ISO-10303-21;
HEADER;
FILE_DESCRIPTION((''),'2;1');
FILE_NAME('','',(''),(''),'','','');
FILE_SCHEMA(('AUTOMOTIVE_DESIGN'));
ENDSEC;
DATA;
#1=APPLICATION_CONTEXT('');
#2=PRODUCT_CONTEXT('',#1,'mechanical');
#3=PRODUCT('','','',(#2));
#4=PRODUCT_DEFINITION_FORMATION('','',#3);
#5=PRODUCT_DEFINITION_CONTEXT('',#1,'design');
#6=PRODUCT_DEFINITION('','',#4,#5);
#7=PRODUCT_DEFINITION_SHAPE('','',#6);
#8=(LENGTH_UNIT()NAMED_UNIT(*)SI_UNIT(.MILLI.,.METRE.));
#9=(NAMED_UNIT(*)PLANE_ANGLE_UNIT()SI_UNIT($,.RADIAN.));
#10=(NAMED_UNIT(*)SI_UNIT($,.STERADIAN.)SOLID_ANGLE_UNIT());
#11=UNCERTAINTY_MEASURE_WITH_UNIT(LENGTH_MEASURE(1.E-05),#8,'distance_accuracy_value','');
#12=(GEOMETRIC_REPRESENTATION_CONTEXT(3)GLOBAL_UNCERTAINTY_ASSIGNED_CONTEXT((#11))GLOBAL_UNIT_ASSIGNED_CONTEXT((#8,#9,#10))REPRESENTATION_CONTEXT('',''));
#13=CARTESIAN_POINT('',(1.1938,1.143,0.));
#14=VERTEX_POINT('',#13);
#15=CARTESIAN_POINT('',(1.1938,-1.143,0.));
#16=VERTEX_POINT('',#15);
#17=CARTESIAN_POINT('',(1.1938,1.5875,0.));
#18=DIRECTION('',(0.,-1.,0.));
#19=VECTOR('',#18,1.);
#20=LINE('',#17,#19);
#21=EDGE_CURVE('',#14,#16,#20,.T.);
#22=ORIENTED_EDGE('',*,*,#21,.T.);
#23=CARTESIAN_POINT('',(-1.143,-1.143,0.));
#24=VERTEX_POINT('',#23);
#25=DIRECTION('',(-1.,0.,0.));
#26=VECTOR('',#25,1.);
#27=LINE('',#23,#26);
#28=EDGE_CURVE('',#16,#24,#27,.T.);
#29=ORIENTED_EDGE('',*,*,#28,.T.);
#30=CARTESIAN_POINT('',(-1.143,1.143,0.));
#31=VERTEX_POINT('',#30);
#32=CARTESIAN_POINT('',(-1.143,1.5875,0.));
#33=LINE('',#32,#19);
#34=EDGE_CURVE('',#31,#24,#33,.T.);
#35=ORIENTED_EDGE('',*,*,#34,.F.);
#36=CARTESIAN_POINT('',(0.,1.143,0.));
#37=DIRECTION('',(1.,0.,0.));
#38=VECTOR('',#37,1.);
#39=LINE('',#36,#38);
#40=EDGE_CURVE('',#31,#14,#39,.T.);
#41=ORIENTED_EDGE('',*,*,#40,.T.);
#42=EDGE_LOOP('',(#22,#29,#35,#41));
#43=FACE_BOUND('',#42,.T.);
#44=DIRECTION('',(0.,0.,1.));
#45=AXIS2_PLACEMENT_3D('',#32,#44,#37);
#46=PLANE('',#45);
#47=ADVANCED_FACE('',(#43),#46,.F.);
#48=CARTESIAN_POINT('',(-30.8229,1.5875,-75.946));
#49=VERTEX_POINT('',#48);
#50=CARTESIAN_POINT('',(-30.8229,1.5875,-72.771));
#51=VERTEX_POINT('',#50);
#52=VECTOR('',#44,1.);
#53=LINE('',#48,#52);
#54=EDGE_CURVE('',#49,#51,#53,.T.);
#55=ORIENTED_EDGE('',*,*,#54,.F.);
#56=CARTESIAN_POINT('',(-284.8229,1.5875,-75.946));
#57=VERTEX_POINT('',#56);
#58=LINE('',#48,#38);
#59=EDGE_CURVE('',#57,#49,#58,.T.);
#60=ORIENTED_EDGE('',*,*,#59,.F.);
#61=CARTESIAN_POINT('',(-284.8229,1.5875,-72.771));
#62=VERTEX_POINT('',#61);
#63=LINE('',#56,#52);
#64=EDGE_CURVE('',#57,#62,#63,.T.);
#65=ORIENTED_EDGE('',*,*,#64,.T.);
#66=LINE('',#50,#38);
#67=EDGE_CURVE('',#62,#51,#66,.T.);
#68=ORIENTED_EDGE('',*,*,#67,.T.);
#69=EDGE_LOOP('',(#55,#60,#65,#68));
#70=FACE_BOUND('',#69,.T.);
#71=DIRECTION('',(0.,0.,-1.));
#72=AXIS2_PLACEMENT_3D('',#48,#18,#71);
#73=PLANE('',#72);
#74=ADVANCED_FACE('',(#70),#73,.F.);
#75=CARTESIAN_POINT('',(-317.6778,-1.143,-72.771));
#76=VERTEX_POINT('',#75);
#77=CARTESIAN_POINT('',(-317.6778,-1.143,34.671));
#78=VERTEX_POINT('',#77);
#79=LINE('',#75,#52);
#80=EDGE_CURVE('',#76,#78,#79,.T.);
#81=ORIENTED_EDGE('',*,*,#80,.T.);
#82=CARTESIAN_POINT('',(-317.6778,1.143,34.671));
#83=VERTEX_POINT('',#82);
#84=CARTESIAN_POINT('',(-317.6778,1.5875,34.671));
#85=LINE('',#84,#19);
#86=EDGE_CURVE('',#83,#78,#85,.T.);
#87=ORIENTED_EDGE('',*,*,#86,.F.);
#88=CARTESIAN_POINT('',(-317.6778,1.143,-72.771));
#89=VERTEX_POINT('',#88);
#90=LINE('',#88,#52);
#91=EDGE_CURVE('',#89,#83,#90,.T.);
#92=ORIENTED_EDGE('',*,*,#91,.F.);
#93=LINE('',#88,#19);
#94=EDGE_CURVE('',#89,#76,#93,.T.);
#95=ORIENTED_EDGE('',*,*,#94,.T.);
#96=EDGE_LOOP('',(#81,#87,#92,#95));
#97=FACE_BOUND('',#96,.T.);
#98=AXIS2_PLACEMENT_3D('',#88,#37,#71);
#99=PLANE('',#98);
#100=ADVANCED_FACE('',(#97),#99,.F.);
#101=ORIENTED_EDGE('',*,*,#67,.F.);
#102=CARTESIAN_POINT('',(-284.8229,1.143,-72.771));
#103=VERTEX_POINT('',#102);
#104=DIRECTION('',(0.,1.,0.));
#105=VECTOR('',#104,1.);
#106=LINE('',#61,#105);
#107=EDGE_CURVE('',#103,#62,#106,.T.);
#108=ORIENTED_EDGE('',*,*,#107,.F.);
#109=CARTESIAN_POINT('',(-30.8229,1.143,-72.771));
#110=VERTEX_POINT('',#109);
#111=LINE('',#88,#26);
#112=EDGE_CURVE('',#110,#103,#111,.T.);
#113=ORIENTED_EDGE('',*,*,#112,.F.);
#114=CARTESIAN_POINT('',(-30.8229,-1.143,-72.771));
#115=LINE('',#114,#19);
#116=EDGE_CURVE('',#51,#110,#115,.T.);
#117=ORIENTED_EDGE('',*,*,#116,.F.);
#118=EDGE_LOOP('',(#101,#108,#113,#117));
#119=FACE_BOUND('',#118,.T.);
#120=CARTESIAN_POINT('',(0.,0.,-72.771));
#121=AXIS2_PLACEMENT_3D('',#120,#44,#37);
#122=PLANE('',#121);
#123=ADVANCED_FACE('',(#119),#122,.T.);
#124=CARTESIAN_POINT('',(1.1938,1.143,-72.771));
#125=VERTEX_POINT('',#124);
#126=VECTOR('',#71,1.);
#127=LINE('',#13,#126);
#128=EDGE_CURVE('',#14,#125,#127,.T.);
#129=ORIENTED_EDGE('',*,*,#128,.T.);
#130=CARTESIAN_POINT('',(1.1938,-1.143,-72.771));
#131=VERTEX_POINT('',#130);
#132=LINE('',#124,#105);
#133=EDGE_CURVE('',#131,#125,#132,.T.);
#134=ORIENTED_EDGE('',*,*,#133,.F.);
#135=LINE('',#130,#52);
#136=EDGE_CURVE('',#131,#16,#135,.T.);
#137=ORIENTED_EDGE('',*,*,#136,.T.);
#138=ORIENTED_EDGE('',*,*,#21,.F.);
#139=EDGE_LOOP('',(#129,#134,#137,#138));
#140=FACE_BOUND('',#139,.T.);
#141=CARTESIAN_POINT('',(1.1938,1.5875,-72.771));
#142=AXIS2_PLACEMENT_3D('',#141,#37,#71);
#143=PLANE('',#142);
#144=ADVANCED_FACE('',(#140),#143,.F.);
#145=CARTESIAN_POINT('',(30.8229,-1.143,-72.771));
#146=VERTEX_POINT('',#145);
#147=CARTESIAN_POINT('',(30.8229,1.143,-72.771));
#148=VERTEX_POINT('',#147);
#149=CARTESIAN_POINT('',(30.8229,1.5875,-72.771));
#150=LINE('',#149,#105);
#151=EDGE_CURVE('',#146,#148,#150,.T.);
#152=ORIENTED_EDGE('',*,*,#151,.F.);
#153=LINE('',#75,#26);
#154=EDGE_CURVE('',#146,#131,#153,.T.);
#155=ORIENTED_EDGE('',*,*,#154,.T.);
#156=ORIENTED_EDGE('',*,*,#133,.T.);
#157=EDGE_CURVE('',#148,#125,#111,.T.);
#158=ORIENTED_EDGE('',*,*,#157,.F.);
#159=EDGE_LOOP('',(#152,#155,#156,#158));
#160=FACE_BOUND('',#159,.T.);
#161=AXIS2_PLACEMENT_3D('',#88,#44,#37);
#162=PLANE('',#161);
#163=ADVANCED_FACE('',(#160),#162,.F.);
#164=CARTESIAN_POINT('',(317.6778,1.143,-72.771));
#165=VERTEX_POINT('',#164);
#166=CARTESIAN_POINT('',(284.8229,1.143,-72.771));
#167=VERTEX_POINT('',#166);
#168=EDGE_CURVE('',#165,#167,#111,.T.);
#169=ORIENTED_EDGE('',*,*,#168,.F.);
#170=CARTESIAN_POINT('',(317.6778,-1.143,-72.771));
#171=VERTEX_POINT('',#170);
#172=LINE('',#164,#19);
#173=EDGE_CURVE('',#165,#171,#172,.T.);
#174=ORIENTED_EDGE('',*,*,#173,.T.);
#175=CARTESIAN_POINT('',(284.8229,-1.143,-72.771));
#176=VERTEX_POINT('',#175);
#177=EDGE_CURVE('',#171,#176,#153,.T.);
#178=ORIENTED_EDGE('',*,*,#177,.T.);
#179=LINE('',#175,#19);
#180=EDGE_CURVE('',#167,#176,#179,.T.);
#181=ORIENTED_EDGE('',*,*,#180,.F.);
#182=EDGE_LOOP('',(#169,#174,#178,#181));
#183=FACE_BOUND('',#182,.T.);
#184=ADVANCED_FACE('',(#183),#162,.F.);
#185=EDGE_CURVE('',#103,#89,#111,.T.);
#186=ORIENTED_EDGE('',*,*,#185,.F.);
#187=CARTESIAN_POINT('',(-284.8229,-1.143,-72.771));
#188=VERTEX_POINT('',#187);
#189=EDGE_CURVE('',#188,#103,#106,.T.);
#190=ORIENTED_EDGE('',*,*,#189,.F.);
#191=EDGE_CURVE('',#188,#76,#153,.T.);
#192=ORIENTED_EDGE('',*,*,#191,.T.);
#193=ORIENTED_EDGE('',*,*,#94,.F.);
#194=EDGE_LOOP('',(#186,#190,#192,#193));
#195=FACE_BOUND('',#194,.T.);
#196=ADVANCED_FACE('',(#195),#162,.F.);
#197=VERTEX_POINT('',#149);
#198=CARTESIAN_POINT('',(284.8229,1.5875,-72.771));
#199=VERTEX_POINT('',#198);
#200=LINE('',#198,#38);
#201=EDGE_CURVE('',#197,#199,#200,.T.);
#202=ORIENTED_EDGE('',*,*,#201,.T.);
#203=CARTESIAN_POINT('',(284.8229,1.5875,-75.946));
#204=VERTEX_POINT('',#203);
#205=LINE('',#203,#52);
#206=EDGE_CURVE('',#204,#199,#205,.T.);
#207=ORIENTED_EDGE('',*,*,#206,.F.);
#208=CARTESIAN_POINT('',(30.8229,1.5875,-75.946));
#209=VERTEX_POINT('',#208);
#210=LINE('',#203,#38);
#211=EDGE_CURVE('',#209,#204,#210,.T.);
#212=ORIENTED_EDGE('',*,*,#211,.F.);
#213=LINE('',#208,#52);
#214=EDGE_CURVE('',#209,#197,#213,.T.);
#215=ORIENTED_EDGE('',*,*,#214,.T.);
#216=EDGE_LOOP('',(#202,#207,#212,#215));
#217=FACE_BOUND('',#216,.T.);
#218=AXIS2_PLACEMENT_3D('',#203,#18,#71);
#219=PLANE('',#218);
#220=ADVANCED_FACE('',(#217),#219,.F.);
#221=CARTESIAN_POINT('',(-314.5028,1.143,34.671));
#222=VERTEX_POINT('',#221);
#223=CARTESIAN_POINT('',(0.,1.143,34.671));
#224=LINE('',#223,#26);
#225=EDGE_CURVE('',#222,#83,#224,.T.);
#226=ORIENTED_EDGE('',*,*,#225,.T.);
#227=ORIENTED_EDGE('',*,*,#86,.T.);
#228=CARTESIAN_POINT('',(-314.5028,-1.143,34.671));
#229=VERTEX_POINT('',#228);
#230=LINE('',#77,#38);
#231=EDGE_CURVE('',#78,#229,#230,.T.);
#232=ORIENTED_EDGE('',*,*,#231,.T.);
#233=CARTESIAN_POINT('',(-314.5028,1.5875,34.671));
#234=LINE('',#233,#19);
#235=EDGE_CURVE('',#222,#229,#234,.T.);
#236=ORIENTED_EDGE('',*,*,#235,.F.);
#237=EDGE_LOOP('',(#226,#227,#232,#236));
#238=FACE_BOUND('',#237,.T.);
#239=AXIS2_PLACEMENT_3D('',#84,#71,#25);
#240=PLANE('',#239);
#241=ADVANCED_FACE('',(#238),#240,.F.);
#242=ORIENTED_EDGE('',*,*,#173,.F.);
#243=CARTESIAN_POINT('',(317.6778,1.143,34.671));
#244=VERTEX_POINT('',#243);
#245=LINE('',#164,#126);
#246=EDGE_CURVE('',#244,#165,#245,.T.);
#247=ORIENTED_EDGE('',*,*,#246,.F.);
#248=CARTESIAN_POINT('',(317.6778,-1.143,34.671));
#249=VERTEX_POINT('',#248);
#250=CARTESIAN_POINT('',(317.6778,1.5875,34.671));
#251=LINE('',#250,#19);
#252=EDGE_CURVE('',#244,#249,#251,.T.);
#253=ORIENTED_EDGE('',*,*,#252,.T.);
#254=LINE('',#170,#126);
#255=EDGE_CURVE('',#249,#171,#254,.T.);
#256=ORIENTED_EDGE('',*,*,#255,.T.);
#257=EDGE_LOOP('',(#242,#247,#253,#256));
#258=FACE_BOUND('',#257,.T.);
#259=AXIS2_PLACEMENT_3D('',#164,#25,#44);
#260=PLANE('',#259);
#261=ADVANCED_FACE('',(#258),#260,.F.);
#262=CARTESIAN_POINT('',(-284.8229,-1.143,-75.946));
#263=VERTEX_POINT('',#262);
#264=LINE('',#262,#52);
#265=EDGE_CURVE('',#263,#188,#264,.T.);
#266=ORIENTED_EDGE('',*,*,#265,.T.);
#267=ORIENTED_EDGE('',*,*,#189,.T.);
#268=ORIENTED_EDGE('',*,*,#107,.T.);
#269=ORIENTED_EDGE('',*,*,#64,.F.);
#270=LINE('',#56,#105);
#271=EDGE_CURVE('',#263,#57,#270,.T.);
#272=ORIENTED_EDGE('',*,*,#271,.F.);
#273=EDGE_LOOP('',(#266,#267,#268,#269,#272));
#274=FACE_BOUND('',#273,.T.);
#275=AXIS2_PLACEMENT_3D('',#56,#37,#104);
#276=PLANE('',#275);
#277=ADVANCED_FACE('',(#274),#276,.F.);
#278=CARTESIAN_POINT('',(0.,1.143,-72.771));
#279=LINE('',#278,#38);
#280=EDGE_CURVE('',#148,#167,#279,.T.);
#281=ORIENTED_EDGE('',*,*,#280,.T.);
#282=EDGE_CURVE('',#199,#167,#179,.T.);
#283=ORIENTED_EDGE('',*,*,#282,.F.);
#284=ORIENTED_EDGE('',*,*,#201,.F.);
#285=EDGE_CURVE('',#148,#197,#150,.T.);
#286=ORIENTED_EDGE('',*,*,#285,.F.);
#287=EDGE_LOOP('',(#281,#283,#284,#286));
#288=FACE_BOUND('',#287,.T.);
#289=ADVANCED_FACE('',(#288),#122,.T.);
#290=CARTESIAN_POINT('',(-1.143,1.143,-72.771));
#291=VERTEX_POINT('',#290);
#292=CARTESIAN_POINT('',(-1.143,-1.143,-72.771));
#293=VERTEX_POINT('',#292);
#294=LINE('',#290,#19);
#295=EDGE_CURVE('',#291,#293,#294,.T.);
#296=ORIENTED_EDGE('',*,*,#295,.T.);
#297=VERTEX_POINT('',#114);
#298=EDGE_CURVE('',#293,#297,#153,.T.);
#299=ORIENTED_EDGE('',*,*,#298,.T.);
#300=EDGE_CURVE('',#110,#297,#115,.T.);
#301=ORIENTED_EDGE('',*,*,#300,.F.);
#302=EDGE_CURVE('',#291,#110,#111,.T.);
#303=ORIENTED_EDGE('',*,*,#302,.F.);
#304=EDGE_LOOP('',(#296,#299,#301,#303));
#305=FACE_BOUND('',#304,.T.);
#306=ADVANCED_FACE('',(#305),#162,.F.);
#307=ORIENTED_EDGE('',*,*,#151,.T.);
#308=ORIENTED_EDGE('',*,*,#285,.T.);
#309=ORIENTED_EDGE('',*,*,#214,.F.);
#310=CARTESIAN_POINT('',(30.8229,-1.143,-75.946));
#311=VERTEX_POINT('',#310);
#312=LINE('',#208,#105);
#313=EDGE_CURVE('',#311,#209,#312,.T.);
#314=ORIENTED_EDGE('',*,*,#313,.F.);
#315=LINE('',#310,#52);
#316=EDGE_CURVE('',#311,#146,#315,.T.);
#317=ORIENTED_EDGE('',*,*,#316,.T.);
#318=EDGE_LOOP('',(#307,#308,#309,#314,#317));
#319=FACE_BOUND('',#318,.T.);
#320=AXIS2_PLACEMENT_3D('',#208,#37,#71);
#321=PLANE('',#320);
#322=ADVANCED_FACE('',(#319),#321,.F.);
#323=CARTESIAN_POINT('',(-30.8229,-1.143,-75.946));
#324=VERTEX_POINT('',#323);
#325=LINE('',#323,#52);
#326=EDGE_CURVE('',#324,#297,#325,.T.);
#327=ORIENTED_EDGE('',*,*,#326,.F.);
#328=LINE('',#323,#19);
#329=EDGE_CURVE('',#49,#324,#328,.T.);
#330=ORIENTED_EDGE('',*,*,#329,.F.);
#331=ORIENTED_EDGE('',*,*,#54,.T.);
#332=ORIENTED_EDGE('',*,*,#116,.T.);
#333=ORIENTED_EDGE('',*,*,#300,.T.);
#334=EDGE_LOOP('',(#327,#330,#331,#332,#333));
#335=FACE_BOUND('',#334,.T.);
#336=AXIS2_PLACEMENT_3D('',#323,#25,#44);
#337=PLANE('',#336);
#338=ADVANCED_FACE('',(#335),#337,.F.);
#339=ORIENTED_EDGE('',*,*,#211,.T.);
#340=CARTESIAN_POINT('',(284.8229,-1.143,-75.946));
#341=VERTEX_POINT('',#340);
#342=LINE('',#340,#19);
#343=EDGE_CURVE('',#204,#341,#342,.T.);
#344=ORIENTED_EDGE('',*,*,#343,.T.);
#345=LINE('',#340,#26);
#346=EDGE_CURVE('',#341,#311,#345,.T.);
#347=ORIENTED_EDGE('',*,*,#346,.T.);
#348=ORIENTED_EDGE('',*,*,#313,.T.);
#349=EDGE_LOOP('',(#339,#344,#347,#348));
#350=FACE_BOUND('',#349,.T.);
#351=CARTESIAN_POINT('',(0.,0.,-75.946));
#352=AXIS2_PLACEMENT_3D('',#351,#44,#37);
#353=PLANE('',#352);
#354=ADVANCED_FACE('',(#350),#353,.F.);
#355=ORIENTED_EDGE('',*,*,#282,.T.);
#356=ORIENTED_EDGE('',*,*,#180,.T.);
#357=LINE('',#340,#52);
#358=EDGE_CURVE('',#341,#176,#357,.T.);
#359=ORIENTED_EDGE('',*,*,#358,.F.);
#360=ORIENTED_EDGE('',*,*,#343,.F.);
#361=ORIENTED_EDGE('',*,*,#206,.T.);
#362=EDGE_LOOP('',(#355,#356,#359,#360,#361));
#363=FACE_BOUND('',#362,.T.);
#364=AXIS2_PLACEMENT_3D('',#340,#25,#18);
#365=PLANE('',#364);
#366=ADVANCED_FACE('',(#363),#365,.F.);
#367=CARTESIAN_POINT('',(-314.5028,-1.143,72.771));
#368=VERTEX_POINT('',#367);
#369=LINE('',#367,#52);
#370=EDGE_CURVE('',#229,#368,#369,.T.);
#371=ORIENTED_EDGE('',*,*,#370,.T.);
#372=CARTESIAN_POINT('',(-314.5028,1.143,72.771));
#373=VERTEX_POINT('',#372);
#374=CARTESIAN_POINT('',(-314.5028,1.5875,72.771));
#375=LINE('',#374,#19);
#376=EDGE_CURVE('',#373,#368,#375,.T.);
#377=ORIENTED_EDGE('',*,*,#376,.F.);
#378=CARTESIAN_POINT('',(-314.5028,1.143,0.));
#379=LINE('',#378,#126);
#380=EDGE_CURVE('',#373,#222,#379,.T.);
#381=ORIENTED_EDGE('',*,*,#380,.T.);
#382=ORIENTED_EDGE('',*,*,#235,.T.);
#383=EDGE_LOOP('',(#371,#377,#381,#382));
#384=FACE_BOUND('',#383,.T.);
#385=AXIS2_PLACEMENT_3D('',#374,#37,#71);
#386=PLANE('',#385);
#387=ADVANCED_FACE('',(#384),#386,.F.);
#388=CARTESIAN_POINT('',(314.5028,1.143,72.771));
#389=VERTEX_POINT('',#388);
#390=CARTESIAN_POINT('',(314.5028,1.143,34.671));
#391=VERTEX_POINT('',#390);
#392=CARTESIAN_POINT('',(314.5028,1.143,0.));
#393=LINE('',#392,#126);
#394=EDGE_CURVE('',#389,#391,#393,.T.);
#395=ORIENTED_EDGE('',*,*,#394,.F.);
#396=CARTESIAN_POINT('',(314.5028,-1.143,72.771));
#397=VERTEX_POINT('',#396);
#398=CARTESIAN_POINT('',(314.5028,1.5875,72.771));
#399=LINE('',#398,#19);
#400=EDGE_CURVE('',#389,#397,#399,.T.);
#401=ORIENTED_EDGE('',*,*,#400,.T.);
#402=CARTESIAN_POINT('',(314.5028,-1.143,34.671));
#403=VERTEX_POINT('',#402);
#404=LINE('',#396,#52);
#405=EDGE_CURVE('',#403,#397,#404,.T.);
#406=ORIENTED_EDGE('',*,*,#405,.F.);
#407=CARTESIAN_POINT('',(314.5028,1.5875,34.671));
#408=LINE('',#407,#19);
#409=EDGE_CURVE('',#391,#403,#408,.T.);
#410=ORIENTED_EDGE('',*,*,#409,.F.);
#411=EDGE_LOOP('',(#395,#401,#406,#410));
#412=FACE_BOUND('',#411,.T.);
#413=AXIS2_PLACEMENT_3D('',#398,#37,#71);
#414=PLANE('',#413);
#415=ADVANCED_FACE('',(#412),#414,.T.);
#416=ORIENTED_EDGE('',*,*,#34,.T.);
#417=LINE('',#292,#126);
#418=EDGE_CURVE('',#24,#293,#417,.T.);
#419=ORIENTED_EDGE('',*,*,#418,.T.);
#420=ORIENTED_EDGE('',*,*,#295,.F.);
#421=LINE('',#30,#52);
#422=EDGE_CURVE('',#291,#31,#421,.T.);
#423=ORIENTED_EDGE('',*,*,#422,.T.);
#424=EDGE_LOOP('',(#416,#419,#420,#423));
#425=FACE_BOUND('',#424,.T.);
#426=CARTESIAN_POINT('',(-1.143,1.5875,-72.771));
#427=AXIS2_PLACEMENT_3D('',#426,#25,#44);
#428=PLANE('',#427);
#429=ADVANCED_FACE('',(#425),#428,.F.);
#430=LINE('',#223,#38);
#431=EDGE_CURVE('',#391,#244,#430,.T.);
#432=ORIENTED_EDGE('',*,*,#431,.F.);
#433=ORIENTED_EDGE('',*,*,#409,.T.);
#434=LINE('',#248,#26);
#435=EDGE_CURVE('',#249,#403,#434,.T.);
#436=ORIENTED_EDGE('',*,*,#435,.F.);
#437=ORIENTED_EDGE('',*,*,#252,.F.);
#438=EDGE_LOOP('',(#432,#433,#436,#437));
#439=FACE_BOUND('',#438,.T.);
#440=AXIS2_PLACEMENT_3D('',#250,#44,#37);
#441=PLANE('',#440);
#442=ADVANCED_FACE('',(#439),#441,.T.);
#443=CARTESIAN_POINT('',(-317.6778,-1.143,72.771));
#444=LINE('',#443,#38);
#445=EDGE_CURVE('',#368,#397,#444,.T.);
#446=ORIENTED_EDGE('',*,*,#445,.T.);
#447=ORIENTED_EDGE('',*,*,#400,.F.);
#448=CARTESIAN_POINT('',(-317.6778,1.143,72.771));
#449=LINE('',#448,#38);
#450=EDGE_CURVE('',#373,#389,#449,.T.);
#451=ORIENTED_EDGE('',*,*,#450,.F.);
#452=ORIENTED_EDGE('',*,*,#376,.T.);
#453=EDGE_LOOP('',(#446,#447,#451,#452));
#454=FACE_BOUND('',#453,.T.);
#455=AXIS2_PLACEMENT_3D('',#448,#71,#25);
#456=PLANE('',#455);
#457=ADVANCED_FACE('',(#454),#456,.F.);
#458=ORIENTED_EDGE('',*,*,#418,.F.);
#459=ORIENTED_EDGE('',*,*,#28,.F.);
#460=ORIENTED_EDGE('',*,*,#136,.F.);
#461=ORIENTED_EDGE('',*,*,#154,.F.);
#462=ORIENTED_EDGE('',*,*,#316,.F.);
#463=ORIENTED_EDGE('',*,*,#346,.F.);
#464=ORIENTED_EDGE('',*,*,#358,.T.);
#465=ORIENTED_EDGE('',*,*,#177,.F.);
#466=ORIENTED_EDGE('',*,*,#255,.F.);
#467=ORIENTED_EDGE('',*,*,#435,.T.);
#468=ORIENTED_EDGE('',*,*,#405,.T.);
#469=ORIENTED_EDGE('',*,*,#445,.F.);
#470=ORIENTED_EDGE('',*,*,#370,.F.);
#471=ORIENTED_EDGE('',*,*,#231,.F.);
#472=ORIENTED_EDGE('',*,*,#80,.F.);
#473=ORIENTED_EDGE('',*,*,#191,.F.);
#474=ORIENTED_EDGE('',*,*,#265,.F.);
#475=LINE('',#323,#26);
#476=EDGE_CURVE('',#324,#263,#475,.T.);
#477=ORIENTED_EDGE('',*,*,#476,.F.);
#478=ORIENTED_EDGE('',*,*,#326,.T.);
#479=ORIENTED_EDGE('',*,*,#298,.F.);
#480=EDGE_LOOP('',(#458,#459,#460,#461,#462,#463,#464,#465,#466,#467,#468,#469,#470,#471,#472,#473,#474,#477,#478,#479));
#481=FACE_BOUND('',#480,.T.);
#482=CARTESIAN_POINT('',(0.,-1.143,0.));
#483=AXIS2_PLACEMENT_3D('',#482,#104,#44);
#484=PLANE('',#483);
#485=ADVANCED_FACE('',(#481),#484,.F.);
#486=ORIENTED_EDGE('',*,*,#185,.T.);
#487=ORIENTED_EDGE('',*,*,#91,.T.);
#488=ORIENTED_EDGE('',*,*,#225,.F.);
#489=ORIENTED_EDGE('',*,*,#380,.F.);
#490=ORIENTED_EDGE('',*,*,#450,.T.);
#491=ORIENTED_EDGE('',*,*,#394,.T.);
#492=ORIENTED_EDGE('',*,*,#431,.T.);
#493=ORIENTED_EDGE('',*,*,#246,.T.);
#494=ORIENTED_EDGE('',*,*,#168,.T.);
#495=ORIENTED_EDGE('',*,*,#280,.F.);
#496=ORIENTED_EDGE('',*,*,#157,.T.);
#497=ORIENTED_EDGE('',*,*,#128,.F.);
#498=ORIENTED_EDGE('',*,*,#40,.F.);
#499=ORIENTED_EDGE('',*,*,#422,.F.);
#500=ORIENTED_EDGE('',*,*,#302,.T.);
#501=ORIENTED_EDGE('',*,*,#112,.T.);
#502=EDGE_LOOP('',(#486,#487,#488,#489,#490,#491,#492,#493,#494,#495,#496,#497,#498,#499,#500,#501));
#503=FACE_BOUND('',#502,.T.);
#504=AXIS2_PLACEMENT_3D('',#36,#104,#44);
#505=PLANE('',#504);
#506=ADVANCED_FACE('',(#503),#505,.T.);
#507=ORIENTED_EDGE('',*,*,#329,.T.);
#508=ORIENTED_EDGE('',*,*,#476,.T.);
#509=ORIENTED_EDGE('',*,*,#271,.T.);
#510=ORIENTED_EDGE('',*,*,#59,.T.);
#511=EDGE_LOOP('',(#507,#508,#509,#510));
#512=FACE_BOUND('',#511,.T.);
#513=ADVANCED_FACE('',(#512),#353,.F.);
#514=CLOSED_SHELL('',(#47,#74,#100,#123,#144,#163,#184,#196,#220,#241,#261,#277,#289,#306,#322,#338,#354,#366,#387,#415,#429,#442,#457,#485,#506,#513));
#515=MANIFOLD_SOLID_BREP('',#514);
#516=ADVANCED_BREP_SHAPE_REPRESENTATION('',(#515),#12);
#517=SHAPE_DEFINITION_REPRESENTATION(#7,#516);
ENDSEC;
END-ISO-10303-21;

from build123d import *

# Parameters (mm, degrees)
SKETCH1_W           = 635.3556
SKETCH1_H           = 145.542
BOSS_EXTRUDE1_DEPTH = 1.143
SKETCH2_W           = 254
SKETCH2_H           = 2.7305
BOSS_EXTRUDE2_DEPTH = 3.175
SKETCH3_W           = 3.175
SKETCH3_H           = 38.1
CUT_EXTRUDE1_DEPTH  = 3.7305
SKETCH4_W           = 2.3368
SKETCH4_H           = 72.771
CUT_EXTRUDE2_DEPTH  = 3.7305


with BuildPart() as part:
    # Sketch1 → Boss-Extrude1 (new body, symmetric)
    with BuildSketch(Plane(origin=(0, 0, 0), x_dir=(1, 0, 0), z_dir=(0, 1, 0))):
        Rectangle(SKETCH1_W, SKETCH1_H)
    extrude(amount=BOSS_EXTRUDE1_DEPTH, both=True)

    # Sketch2 → Boss-Extrude2 (add)
    with BuildSketch(Plane(origin=(0, 0, -72.771), x_dir=(-1, 0, 0), z_dir=(0, 0, -1))):
        with Locations((-157.8229, 0.22225)):
            Rectangle(SKETCH2_W, SKETCH2_H)
        with Locations((157.8229, 0.22225)):
            Rectangle(SKETCH2_W, SKETCH2_H)
    extrude(amount=BOSS_EXTRUDE2_DEPTH)

    # Sketch3 → Cut-Extrude1 (cut, through all)
    with BuildSketch(Plane.XZ.offset(1.143)):
        with Locations((-316.0903, 53.721)):
            Rectangle(SKETCH3_W, SKETCH3_H)
    cut_extrude1 = extrude(amount=-CUT_EXTRUDE1_DEPTH, mode=Mode.SUBTRACT)

    # Mirror1: Cut-Extrude1 across plane
    add(cut_extrude1.mirror(Plane(origin=(0, 0, 0), x_dir=(0, 0, 1), z_dir=(1, 0, 0))), mode=Mode.SUBTRACT)

    # Sketch4 → Cut-Extrude2 (cut, through all)
    with BuildSketch(Plane.XZ.offset(1.143)):
        with Locations((0.0254, -36.3855)):
            Rectangle(SKETCH4_W, SKETCH4_H)
    extrude(amount=-CUT_EXTRUDE2_DEPTH, mode=Mode.SUBTRACT)


solid = part.part
